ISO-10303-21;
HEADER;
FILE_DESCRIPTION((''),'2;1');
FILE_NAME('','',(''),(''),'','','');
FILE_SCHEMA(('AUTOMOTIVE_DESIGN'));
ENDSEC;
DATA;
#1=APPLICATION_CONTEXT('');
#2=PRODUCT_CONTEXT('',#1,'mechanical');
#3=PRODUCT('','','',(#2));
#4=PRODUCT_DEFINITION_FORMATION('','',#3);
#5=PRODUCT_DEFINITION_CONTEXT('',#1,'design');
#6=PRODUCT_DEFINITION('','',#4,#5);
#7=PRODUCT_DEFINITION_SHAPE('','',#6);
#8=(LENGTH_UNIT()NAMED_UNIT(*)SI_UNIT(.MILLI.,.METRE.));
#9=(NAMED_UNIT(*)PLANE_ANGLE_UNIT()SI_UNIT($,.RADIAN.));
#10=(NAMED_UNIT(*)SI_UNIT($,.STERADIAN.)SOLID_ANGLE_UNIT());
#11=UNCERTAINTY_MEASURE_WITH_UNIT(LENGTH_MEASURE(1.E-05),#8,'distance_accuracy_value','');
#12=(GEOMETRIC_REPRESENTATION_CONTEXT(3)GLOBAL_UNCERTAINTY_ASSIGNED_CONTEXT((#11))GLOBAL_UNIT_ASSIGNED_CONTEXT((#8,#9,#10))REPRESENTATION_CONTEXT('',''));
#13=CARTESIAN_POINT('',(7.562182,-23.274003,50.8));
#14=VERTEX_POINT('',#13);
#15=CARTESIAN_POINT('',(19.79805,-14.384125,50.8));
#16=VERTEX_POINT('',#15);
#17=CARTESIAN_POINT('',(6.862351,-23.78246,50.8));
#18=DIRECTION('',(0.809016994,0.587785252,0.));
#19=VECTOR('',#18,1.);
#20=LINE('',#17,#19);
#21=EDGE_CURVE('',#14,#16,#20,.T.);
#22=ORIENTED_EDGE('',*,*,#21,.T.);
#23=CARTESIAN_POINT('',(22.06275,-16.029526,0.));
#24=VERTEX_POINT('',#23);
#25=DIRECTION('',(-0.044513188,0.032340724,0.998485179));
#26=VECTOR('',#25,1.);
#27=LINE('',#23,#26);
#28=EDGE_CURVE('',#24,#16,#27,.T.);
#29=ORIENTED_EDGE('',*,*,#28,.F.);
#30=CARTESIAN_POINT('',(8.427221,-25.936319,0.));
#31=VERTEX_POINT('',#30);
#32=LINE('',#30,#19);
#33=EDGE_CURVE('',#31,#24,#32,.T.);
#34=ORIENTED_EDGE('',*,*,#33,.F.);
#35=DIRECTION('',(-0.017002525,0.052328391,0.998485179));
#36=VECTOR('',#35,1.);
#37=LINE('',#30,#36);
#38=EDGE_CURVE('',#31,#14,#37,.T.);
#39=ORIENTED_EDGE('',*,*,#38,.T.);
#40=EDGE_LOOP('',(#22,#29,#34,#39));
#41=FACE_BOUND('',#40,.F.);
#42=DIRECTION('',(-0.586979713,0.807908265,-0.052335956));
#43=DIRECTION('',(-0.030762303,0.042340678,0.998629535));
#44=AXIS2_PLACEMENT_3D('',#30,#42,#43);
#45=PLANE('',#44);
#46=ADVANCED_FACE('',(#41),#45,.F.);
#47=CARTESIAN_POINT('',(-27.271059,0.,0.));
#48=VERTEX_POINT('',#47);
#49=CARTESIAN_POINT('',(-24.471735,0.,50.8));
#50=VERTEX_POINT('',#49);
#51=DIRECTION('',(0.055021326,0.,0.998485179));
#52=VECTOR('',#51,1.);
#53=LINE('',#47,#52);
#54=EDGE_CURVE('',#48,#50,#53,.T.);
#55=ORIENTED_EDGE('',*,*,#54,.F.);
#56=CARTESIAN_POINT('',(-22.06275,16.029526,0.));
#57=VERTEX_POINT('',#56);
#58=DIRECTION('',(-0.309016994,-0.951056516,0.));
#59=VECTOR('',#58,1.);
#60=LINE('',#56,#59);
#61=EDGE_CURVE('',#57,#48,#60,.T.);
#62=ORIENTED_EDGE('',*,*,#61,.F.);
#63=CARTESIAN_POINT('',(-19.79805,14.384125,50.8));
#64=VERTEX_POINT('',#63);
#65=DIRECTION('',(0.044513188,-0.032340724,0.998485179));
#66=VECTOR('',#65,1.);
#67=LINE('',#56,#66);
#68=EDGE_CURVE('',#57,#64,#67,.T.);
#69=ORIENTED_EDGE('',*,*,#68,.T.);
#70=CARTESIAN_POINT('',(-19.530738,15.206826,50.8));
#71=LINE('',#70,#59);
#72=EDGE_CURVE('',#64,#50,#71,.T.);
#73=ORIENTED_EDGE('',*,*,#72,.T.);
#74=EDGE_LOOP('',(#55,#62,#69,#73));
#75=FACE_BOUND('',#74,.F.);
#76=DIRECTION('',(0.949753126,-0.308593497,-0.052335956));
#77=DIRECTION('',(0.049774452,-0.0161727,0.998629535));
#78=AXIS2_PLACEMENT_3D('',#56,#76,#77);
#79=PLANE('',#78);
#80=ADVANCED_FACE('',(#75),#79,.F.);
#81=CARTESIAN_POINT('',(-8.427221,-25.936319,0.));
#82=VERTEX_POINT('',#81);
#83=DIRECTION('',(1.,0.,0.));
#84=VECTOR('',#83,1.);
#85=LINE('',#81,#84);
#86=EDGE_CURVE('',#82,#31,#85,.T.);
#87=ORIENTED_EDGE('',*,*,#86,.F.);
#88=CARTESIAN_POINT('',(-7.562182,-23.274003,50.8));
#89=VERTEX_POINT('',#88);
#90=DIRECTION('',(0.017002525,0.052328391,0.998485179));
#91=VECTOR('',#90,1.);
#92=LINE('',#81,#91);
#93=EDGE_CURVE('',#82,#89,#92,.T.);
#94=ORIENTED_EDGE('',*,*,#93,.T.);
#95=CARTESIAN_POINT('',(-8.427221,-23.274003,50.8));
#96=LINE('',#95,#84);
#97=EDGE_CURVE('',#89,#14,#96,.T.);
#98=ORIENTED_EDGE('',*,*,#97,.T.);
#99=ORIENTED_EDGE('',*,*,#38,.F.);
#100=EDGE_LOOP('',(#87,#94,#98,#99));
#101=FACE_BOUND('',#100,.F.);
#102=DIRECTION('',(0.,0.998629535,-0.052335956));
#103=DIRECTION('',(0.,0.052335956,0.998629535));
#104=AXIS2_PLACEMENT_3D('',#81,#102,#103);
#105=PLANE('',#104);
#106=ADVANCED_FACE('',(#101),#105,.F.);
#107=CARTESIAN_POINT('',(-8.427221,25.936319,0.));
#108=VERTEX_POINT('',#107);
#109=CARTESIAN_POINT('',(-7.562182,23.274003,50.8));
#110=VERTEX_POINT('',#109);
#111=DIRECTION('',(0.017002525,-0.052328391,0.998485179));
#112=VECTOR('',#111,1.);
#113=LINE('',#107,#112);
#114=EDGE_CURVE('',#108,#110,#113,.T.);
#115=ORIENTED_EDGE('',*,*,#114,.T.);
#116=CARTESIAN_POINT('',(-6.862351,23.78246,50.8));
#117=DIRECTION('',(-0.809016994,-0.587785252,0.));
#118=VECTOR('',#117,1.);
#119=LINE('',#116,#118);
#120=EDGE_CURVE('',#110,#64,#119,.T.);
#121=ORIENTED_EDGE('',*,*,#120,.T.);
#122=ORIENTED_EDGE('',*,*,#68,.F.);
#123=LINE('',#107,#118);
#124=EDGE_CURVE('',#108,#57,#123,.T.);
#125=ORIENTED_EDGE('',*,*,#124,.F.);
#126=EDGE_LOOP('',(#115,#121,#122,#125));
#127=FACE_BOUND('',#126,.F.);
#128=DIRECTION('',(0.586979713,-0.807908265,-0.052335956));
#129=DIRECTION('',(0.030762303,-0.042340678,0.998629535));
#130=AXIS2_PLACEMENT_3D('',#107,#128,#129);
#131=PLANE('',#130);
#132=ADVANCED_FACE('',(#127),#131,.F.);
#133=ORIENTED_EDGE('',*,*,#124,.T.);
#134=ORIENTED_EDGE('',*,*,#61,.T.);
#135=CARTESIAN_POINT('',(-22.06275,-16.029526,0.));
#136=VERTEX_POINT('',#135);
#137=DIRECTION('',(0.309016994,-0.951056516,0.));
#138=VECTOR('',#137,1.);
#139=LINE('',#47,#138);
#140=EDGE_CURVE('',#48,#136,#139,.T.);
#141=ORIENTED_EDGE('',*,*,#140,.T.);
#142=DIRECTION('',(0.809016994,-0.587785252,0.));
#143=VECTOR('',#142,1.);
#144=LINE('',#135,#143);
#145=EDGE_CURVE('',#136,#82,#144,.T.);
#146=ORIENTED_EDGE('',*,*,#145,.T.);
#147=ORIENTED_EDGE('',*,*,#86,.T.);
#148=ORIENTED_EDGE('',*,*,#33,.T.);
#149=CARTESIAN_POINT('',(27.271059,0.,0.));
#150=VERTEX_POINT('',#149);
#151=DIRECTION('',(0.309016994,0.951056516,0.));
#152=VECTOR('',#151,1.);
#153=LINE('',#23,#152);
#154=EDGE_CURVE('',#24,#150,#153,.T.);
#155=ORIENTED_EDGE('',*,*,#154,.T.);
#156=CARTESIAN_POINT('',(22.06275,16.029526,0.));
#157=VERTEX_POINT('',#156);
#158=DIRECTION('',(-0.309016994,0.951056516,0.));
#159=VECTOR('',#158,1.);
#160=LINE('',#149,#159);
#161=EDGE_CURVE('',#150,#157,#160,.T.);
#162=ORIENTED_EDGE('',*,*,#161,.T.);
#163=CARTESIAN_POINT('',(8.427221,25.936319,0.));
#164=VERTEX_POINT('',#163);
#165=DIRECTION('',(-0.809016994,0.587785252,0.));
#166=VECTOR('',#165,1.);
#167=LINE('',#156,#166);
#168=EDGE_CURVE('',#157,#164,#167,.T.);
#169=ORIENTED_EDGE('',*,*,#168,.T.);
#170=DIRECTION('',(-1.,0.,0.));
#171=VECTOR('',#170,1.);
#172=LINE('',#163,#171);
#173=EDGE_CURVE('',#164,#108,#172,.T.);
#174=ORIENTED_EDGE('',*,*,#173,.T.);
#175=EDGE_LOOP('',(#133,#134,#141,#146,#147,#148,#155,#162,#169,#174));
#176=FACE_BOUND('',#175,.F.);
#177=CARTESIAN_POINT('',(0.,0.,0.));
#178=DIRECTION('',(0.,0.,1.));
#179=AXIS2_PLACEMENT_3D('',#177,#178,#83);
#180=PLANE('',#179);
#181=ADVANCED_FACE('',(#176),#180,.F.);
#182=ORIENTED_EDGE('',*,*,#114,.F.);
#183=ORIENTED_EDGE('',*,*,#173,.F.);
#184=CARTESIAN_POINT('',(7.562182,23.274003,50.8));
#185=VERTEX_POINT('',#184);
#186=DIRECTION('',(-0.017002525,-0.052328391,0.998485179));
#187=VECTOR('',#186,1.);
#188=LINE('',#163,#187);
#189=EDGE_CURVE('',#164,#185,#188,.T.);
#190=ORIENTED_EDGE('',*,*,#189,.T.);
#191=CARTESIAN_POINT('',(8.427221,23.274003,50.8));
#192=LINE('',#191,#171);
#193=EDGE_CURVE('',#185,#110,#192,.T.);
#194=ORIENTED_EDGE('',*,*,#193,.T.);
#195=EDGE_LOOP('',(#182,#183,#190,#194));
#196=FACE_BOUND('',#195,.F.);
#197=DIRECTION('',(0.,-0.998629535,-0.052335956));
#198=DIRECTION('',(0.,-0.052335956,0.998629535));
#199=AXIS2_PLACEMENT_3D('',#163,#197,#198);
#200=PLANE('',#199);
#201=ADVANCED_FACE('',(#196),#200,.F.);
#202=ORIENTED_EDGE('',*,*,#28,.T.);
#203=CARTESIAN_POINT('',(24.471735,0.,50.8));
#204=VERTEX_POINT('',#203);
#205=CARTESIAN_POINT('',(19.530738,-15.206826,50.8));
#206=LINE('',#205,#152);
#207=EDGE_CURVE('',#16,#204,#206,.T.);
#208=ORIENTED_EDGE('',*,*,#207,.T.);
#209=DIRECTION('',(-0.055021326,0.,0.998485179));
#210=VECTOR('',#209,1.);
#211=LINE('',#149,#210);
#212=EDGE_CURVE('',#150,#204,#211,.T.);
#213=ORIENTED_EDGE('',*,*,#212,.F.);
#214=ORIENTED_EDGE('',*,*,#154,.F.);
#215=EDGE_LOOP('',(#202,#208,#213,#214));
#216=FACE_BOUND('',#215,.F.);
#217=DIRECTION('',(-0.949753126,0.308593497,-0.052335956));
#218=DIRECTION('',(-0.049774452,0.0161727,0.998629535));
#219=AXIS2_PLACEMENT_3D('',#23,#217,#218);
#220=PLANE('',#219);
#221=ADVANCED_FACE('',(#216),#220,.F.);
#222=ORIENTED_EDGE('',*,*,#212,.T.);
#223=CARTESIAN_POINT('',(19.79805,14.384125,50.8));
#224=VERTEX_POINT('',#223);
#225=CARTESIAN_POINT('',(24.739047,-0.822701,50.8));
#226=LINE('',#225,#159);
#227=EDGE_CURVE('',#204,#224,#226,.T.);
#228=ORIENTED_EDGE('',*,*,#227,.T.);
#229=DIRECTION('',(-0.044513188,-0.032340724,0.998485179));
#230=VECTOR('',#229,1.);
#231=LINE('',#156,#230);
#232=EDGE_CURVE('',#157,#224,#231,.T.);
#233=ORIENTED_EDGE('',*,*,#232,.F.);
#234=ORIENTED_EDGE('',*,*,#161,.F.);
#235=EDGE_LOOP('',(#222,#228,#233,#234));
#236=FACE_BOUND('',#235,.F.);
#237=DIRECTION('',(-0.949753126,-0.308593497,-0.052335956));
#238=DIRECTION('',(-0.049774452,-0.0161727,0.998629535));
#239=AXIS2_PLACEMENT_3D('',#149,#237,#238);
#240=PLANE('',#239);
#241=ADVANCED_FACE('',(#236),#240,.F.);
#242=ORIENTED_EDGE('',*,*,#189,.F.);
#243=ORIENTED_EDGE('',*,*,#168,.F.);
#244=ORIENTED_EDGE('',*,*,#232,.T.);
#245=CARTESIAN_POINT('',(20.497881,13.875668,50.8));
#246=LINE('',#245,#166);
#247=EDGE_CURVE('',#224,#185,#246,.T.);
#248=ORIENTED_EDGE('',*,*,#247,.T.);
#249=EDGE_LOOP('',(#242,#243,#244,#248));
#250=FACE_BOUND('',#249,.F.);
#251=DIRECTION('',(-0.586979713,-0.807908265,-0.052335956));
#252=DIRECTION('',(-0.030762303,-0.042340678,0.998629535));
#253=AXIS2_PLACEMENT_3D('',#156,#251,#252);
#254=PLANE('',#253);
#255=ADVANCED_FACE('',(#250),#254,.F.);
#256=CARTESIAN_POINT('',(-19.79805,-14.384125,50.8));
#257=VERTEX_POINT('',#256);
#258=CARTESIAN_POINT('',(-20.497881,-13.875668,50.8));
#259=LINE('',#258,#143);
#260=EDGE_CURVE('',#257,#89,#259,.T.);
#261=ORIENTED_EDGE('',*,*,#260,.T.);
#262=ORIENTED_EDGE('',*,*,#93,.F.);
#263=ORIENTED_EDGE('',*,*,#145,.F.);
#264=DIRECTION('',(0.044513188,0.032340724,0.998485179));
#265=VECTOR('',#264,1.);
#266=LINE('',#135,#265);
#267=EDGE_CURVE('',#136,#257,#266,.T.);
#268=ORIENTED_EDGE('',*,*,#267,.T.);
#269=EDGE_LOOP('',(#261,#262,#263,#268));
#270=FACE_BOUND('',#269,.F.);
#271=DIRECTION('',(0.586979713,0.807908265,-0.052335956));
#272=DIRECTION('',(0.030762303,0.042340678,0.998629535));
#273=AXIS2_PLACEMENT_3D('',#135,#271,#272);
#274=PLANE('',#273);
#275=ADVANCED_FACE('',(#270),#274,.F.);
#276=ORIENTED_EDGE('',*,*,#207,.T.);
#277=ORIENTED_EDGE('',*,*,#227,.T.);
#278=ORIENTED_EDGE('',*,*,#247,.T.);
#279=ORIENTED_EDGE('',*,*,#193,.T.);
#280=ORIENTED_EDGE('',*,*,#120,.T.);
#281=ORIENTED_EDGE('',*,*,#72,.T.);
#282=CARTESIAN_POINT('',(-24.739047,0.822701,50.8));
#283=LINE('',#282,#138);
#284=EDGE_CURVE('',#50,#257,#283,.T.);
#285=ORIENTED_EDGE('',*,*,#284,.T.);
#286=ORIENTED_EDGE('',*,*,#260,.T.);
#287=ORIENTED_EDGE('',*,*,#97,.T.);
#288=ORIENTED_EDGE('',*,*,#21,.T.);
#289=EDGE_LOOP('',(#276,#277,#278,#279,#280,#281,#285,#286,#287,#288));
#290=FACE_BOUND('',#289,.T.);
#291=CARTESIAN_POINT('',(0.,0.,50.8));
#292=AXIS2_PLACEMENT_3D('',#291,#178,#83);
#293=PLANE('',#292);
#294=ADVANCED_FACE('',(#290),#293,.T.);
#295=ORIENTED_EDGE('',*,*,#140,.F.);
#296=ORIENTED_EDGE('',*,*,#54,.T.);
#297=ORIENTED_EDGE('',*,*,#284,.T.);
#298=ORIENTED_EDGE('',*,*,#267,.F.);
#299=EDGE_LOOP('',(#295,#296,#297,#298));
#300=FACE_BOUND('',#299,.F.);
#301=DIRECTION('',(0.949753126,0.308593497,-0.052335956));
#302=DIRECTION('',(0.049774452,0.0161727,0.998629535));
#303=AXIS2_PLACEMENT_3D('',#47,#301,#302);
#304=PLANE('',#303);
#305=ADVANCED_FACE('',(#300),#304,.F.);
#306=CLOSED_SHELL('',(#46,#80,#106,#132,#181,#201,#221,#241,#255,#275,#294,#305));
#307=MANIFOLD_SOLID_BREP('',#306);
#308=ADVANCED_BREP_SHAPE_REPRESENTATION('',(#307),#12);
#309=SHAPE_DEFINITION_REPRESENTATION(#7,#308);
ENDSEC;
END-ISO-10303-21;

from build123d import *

# Parameters (mm, degrees)
F1_DEPTH = 50.8
F1_TAPER = 3


with BuildPart() as f1:
    # F0 (on Top) → F1 (new body)
    with BuildSketch(Plane.XY):
        Polygon((8.4272207484, 25.9363185614), (-8.4272207484, 25.9363185614), (-22.06275035, 16.029526414), (-27.2710592032, 0), (-22.06275035, -16.029526414), (-8.4272207484, -25.9363185614), (8.4272207484, -25.9363185614), (22.06275035, -16.029526414), (27.2710592032, 0), (22.06275035, 16.029526414), align=None)
    extrude(amount=F1_DEPTH, taper=F1_TAPER)


solid = f1.part
